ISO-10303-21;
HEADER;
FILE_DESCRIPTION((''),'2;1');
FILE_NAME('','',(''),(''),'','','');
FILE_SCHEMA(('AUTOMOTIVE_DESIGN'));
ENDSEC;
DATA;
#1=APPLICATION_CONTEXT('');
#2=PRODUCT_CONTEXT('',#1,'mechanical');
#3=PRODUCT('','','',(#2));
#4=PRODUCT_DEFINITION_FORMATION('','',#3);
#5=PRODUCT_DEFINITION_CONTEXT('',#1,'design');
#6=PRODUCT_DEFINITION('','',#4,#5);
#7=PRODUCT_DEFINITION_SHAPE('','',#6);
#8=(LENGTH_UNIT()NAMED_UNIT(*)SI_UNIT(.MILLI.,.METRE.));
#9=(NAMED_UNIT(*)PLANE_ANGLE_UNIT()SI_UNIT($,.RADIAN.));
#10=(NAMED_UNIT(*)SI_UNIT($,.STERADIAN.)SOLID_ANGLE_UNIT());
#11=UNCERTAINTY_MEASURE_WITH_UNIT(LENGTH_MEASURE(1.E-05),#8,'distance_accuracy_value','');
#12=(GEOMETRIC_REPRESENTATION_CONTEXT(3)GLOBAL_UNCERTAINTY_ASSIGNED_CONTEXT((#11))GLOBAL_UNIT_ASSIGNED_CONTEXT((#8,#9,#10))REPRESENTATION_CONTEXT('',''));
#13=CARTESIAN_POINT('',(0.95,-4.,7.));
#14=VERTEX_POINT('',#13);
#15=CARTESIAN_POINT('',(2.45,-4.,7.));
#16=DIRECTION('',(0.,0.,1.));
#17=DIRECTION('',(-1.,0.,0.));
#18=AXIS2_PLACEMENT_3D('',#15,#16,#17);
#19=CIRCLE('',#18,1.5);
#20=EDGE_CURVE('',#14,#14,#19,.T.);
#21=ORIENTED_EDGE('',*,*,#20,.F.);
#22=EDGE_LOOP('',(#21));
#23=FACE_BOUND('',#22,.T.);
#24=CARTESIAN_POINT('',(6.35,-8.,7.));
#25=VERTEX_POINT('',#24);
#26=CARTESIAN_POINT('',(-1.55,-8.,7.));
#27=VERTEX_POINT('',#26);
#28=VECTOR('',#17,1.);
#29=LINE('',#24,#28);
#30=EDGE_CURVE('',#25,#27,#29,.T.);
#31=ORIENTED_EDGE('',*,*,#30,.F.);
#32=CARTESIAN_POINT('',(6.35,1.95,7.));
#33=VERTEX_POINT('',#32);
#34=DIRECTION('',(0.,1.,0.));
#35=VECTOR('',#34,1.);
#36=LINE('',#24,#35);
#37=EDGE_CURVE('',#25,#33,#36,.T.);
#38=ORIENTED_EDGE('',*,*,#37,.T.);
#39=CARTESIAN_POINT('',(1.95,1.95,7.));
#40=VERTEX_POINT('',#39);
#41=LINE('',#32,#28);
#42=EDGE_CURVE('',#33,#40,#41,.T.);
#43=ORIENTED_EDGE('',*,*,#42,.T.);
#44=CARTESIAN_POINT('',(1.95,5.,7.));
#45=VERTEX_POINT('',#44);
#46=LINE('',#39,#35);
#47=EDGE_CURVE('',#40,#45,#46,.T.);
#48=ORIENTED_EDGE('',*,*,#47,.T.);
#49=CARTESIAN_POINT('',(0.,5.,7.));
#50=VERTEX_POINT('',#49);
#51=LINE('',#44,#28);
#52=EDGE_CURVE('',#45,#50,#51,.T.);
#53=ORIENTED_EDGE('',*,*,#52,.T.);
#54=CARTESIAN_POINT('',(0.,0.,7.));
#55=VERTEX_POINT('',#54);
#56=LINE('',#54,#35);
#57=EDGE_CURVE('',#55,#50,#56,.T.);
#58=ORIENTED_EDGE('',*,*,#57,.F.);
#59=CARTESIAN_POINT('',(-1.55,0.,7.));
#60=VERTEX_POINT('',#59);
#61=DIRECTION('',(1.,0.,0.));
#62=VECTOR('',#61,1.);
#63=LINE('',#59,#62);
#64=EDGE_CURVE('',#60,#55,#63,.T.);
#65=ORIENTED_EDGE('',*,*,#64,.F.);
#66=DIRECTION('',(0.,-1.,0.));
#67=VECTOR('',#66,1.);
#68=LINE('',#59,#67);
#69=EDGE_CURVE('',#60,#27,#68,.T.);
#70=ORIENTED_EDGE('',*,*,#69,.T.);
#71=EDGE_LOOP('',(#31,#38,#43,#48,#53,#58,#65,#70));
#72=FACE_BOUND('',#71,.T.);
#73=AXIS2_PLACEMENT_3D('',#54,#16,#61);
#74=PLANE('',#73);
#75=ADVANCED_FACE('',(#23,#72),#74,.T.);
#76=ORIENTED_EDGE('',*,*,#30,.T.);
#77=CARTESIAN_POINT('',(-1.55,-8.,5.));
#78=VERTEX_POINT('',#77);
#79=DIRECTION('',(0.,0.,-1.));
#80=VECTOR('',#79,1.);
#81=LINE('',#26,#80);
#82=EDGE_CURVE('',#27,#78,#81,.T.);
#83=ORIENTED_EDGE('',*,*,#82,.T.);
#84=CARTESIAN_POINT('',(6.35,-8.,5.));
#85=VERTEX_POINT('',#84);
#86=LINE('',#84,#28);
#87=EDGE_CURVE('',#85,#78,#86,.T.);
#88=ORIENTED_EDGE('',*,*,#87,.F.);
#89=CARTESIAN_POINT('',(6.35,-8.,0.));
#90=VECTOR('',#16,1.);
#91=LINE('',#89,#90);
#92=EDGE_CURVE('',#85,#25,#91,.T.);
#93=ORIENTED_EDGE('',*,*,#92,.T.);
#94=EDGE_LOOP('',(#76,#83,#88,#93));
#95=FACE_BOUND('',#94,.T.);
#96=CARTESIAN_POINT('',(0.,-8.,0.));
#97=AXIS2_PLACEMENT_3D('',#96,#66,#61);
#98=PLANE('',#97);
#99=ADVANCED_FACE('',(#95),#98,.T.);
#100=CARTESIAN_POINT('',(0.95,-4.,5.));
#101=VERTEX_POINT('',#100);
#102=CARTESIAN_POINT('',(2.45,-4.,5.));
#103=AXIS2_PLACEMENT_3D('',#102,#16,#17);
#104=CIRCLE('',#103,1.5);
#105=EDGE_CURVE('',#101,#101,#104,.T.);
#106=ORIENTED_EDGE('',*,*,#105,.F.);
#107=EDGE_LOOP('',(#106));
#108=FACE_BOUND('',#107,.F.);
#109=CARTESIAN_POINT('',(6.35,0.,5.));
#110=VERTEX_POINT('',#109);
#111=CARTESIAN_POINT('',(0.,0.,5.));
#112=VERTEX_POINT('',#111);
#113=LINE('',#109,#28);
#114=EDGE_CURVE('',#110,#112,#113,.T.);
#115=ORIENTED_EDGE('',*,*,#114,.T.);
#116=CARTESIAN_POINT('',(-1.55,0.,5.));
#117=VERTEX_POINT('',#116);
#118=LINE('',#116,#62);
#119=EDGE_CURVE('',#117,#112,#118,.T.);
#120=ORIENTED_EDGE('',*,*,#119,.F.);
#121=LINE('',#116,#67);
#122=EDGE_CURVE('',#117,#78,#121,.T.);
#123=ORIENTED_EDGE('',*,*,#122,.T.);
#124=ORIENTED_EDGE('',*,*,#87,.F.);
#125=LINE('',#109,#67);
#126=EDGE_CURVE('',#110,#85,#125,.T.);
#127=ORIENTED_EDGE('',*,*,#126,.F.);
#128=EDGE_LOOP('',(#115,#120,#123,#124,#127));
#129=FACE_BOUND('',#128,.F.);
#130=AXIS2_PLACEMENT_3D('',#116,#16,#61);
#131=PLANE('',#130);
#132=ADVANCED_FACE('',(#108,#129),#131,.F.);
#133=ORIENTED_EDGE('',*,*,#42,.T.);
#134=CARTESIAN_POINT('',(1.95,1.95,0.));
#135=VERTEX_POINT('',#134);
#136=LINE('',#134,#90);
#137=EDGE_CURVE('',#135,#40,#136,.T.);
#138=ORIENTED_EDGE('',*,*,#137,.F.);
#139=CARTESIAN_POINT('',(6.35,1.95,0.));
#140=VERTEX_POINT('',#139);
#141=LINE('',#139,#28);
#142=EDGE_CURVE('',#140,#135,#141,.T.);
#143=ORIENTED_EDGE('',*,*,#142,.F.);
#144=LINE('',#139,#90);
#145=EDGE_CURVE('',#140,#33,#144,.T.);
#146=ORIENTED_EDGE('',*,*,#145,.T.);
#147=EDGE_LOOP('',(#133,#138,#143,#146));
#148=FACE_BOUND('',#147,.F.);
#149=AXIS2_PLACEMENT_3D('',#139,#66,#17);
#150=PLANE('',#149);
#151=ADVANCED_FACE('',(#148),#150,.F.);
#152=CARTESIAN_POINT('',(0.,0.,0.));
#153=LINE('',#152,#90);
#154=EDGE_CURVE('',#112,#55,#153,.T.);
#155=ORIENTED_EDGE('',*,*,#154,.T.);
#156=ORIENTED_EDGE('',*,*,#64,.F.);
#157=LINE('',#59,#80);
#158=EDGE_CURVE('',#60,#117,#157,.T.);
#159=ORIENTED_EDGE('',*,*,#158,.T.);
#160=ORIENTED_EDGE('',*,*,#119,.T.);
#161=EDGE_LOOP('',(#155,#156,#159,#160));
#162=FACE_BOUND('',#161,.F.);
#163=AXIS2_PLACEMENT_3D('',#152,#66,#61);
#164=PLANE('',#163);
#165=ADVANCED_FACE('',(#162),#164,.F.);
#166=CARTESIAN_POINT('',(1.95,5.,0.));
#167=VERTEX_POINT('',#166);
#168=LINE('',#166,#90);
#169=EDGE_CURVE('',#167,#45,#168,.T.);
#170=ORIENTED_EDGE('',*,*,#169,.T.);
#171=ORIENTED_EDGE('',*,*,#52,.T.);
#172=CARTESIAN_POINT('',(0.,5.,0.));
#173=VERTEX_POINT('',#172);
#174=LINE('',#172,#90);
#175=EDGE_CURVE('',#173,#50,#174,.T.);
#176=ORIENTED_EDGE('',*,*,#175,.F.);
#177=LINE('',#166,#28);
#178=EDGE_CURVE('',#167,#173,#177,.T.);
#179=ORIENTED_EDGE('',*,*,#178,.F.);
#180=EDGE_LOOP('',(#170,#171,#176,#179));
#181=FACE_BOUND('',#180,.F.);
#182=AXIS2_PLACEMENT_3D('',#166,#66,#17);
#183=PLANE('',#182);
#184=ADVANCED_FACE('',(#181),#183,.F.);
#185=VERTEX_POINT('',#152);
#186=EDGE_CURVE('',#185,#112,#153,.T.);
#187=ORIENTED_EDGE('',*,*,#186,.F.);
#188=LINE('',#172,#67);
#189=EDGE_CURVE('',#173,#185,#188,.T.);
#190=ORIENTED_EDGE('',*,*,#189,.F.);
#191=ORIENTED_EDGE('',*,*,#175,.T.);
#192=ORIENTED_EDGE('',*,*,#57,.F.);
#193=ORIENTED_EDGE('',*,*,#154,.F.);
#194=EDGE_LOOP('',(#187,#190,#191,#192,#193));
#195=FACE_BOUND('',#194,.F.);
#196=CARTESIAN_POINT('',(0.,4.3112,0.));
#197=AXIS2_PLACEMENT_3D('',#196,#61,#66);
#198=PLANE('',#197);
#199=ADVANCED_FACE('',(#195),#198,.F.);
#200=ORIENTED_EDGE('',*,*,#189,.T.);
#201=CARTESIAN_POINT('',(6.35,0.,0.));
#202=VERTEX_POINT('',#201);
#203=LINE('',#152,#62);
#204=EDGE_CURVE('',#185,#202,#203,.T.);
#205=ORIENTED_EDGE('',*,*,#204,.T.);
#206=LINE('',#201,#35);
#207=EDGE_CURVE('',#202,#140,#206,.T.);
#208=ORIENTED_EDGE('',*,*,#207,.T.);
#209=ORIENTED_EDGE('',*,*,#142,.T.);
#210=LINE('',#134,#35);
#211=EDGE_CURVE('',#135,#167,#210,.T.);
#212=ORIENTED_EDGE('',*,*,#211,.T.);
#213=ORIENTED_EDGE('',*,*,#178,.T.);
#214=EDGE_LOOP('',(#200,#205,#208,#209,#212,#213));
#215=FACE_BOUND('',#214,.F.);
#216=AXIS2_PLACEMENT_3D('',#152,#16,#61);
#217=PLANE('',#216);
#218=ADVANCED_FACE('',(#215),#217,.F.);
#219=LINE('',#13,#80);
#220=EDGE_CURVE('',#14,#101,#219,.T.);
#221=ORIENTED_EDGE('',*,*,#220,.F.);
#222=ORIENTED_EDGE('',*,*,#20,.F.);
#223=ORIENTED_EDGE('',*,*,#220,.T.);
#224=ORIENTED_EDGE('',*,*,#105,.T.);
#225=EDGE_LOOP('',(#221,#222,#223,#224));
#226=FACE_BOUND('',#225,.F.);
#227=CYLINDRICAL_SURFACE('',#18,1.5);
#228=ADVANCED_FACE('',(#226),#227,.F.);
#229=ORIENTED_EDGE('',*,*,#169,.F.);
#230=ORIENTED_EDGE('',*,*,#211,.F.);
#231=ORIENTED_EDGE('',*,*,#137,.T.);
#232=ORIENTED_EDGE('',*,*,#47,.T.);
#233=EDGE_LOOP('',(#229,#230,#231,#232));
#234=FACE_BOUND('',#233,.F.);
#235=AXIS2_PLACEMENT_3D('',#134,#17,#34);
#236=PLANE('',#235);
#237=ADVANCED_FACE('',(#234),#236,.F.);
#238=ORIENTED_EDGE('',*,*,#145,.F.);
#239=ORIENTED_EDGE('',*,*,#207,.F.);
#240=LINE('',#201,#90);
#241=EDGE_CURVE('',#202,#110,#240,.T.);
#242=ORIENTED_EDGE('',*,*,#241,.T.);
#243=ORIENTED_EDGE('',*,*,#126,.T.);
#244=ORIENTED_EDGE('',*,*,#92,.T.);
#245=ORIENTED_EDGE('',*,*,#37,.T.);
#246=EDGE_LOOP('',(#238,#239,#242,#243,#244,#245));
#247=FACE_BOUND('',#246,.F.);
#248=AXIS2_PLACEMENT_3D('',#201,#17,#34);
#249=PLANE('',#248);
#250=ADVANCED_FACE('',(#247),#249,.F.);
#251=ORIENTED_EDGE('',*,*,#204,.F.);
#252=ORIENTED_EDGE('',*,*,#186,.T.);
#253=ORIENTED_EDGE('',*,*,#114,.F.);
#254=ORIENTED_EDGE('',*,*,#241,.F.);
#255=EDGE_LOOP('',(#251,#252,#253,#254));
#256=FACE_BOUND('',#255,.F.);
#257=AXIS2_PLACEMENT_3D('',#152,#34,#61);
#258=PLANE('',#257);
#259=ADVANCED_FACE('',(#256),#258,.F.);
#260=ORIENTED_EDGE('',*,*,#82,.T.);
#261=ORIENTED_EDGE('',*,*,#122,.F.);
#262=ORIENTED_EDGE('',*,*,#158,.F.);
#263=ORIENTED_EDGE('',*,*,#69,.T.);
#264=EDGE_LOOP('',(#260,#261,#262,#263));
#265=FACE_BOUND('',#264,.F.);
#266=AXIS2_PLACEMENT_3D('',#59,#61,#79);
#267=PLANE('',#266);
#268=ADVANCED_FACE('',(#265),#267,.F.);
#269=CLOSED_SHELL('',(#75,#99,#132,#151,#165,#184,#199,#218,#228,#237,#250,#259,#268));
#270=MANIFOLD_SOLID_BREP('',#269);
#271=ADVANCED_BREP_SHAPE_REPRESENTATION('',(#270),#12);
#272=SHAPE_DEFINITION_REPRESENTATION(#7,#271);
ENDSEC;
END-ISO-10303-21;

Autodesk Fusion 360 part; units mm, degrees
sketch "Sketch1" plane through (0, 0, 0) normal (0, 0, 1) x (1, 0, 0)
  line L0 (0, 0) -> (6.35, 0)
  line L1 (6.35, 0) -> (6.35, 1.95)
  line L2 (6.35, 1.95) -> (1.95, 1.95)
  line L3 (0, 4.3112) -> (0, 0)
  line L4 (0, 0) -> (5, 0)
  line L5 (1.95, 1.95) -> (1.95, 5)
  line L6 (1.95, 5) -> (0, 5)
  line L7 (0, 5) -> (0, 0)
  dimension "d1" = 1.95
  dimension "d2" = 1.95
  dimension "d5" = 4.4
  dimension "d6" = 3.05
extrude "Extrude1" add sketch "Sketch1" along normal blind 7
sketch "Sketch2" plane through (0, 0, 0) normal (0, -1, 0) x (1, 0, 0)
  line L0 (0, 0) -> (6.35, 0)
  line L1 (6.35, 0) -> (6.35, 7)
  line L2 (6.35, 7) -> (0, 7)
  line L3 (0, 7) -> (0, 0)
  line L4 (6.35, 7) -> (-1.55, 7)
  line L5 (-1.55, 7) -> (-1.55, 5)
  line L6 (-1.55, 5) -> (6.35, 5)
  line L7 (6.35, 5) -> (6.35, 7)
  dimension "d9" = 2
  dimension "d10" = 7.9
extrude "Extrude2" add sketch "Sketch2" along normal blind 8 contours L3 L4 L5 L6 | L1 L2 L3 L4 L6 L7
sketch "Sketch3" plane through (0, 0, 7) normal (0, 0, 1) x (-1, 0, 0)
  line L0 (0, -5) -> (0, 0)
  line L1 (0, 0) -> (1.55, 0)
  line L2 (1.55, 0) -> (1.55, 8)
  line L3 (1.55, 8) -> (-6.35, 8)
  line L4 (-6.35, 8) -> (-6.35, -1.95)
  line L5 (-6.35, -1.95) -> (-1.95, -1.95)
  line L6 (-1.95, -1.95) -> (-1.95, -5)
  line L7 (-1.95, -5) -> (0, -5)
  circle A0 centre (-2.45, 4) radius 1.5
  dimension "d14" = 4
  dimension "d15" = 4
  dimension "d16" = 3
extrude "Extrude3" cut sketch "Sketch3" against normal blind 4 contours A0
